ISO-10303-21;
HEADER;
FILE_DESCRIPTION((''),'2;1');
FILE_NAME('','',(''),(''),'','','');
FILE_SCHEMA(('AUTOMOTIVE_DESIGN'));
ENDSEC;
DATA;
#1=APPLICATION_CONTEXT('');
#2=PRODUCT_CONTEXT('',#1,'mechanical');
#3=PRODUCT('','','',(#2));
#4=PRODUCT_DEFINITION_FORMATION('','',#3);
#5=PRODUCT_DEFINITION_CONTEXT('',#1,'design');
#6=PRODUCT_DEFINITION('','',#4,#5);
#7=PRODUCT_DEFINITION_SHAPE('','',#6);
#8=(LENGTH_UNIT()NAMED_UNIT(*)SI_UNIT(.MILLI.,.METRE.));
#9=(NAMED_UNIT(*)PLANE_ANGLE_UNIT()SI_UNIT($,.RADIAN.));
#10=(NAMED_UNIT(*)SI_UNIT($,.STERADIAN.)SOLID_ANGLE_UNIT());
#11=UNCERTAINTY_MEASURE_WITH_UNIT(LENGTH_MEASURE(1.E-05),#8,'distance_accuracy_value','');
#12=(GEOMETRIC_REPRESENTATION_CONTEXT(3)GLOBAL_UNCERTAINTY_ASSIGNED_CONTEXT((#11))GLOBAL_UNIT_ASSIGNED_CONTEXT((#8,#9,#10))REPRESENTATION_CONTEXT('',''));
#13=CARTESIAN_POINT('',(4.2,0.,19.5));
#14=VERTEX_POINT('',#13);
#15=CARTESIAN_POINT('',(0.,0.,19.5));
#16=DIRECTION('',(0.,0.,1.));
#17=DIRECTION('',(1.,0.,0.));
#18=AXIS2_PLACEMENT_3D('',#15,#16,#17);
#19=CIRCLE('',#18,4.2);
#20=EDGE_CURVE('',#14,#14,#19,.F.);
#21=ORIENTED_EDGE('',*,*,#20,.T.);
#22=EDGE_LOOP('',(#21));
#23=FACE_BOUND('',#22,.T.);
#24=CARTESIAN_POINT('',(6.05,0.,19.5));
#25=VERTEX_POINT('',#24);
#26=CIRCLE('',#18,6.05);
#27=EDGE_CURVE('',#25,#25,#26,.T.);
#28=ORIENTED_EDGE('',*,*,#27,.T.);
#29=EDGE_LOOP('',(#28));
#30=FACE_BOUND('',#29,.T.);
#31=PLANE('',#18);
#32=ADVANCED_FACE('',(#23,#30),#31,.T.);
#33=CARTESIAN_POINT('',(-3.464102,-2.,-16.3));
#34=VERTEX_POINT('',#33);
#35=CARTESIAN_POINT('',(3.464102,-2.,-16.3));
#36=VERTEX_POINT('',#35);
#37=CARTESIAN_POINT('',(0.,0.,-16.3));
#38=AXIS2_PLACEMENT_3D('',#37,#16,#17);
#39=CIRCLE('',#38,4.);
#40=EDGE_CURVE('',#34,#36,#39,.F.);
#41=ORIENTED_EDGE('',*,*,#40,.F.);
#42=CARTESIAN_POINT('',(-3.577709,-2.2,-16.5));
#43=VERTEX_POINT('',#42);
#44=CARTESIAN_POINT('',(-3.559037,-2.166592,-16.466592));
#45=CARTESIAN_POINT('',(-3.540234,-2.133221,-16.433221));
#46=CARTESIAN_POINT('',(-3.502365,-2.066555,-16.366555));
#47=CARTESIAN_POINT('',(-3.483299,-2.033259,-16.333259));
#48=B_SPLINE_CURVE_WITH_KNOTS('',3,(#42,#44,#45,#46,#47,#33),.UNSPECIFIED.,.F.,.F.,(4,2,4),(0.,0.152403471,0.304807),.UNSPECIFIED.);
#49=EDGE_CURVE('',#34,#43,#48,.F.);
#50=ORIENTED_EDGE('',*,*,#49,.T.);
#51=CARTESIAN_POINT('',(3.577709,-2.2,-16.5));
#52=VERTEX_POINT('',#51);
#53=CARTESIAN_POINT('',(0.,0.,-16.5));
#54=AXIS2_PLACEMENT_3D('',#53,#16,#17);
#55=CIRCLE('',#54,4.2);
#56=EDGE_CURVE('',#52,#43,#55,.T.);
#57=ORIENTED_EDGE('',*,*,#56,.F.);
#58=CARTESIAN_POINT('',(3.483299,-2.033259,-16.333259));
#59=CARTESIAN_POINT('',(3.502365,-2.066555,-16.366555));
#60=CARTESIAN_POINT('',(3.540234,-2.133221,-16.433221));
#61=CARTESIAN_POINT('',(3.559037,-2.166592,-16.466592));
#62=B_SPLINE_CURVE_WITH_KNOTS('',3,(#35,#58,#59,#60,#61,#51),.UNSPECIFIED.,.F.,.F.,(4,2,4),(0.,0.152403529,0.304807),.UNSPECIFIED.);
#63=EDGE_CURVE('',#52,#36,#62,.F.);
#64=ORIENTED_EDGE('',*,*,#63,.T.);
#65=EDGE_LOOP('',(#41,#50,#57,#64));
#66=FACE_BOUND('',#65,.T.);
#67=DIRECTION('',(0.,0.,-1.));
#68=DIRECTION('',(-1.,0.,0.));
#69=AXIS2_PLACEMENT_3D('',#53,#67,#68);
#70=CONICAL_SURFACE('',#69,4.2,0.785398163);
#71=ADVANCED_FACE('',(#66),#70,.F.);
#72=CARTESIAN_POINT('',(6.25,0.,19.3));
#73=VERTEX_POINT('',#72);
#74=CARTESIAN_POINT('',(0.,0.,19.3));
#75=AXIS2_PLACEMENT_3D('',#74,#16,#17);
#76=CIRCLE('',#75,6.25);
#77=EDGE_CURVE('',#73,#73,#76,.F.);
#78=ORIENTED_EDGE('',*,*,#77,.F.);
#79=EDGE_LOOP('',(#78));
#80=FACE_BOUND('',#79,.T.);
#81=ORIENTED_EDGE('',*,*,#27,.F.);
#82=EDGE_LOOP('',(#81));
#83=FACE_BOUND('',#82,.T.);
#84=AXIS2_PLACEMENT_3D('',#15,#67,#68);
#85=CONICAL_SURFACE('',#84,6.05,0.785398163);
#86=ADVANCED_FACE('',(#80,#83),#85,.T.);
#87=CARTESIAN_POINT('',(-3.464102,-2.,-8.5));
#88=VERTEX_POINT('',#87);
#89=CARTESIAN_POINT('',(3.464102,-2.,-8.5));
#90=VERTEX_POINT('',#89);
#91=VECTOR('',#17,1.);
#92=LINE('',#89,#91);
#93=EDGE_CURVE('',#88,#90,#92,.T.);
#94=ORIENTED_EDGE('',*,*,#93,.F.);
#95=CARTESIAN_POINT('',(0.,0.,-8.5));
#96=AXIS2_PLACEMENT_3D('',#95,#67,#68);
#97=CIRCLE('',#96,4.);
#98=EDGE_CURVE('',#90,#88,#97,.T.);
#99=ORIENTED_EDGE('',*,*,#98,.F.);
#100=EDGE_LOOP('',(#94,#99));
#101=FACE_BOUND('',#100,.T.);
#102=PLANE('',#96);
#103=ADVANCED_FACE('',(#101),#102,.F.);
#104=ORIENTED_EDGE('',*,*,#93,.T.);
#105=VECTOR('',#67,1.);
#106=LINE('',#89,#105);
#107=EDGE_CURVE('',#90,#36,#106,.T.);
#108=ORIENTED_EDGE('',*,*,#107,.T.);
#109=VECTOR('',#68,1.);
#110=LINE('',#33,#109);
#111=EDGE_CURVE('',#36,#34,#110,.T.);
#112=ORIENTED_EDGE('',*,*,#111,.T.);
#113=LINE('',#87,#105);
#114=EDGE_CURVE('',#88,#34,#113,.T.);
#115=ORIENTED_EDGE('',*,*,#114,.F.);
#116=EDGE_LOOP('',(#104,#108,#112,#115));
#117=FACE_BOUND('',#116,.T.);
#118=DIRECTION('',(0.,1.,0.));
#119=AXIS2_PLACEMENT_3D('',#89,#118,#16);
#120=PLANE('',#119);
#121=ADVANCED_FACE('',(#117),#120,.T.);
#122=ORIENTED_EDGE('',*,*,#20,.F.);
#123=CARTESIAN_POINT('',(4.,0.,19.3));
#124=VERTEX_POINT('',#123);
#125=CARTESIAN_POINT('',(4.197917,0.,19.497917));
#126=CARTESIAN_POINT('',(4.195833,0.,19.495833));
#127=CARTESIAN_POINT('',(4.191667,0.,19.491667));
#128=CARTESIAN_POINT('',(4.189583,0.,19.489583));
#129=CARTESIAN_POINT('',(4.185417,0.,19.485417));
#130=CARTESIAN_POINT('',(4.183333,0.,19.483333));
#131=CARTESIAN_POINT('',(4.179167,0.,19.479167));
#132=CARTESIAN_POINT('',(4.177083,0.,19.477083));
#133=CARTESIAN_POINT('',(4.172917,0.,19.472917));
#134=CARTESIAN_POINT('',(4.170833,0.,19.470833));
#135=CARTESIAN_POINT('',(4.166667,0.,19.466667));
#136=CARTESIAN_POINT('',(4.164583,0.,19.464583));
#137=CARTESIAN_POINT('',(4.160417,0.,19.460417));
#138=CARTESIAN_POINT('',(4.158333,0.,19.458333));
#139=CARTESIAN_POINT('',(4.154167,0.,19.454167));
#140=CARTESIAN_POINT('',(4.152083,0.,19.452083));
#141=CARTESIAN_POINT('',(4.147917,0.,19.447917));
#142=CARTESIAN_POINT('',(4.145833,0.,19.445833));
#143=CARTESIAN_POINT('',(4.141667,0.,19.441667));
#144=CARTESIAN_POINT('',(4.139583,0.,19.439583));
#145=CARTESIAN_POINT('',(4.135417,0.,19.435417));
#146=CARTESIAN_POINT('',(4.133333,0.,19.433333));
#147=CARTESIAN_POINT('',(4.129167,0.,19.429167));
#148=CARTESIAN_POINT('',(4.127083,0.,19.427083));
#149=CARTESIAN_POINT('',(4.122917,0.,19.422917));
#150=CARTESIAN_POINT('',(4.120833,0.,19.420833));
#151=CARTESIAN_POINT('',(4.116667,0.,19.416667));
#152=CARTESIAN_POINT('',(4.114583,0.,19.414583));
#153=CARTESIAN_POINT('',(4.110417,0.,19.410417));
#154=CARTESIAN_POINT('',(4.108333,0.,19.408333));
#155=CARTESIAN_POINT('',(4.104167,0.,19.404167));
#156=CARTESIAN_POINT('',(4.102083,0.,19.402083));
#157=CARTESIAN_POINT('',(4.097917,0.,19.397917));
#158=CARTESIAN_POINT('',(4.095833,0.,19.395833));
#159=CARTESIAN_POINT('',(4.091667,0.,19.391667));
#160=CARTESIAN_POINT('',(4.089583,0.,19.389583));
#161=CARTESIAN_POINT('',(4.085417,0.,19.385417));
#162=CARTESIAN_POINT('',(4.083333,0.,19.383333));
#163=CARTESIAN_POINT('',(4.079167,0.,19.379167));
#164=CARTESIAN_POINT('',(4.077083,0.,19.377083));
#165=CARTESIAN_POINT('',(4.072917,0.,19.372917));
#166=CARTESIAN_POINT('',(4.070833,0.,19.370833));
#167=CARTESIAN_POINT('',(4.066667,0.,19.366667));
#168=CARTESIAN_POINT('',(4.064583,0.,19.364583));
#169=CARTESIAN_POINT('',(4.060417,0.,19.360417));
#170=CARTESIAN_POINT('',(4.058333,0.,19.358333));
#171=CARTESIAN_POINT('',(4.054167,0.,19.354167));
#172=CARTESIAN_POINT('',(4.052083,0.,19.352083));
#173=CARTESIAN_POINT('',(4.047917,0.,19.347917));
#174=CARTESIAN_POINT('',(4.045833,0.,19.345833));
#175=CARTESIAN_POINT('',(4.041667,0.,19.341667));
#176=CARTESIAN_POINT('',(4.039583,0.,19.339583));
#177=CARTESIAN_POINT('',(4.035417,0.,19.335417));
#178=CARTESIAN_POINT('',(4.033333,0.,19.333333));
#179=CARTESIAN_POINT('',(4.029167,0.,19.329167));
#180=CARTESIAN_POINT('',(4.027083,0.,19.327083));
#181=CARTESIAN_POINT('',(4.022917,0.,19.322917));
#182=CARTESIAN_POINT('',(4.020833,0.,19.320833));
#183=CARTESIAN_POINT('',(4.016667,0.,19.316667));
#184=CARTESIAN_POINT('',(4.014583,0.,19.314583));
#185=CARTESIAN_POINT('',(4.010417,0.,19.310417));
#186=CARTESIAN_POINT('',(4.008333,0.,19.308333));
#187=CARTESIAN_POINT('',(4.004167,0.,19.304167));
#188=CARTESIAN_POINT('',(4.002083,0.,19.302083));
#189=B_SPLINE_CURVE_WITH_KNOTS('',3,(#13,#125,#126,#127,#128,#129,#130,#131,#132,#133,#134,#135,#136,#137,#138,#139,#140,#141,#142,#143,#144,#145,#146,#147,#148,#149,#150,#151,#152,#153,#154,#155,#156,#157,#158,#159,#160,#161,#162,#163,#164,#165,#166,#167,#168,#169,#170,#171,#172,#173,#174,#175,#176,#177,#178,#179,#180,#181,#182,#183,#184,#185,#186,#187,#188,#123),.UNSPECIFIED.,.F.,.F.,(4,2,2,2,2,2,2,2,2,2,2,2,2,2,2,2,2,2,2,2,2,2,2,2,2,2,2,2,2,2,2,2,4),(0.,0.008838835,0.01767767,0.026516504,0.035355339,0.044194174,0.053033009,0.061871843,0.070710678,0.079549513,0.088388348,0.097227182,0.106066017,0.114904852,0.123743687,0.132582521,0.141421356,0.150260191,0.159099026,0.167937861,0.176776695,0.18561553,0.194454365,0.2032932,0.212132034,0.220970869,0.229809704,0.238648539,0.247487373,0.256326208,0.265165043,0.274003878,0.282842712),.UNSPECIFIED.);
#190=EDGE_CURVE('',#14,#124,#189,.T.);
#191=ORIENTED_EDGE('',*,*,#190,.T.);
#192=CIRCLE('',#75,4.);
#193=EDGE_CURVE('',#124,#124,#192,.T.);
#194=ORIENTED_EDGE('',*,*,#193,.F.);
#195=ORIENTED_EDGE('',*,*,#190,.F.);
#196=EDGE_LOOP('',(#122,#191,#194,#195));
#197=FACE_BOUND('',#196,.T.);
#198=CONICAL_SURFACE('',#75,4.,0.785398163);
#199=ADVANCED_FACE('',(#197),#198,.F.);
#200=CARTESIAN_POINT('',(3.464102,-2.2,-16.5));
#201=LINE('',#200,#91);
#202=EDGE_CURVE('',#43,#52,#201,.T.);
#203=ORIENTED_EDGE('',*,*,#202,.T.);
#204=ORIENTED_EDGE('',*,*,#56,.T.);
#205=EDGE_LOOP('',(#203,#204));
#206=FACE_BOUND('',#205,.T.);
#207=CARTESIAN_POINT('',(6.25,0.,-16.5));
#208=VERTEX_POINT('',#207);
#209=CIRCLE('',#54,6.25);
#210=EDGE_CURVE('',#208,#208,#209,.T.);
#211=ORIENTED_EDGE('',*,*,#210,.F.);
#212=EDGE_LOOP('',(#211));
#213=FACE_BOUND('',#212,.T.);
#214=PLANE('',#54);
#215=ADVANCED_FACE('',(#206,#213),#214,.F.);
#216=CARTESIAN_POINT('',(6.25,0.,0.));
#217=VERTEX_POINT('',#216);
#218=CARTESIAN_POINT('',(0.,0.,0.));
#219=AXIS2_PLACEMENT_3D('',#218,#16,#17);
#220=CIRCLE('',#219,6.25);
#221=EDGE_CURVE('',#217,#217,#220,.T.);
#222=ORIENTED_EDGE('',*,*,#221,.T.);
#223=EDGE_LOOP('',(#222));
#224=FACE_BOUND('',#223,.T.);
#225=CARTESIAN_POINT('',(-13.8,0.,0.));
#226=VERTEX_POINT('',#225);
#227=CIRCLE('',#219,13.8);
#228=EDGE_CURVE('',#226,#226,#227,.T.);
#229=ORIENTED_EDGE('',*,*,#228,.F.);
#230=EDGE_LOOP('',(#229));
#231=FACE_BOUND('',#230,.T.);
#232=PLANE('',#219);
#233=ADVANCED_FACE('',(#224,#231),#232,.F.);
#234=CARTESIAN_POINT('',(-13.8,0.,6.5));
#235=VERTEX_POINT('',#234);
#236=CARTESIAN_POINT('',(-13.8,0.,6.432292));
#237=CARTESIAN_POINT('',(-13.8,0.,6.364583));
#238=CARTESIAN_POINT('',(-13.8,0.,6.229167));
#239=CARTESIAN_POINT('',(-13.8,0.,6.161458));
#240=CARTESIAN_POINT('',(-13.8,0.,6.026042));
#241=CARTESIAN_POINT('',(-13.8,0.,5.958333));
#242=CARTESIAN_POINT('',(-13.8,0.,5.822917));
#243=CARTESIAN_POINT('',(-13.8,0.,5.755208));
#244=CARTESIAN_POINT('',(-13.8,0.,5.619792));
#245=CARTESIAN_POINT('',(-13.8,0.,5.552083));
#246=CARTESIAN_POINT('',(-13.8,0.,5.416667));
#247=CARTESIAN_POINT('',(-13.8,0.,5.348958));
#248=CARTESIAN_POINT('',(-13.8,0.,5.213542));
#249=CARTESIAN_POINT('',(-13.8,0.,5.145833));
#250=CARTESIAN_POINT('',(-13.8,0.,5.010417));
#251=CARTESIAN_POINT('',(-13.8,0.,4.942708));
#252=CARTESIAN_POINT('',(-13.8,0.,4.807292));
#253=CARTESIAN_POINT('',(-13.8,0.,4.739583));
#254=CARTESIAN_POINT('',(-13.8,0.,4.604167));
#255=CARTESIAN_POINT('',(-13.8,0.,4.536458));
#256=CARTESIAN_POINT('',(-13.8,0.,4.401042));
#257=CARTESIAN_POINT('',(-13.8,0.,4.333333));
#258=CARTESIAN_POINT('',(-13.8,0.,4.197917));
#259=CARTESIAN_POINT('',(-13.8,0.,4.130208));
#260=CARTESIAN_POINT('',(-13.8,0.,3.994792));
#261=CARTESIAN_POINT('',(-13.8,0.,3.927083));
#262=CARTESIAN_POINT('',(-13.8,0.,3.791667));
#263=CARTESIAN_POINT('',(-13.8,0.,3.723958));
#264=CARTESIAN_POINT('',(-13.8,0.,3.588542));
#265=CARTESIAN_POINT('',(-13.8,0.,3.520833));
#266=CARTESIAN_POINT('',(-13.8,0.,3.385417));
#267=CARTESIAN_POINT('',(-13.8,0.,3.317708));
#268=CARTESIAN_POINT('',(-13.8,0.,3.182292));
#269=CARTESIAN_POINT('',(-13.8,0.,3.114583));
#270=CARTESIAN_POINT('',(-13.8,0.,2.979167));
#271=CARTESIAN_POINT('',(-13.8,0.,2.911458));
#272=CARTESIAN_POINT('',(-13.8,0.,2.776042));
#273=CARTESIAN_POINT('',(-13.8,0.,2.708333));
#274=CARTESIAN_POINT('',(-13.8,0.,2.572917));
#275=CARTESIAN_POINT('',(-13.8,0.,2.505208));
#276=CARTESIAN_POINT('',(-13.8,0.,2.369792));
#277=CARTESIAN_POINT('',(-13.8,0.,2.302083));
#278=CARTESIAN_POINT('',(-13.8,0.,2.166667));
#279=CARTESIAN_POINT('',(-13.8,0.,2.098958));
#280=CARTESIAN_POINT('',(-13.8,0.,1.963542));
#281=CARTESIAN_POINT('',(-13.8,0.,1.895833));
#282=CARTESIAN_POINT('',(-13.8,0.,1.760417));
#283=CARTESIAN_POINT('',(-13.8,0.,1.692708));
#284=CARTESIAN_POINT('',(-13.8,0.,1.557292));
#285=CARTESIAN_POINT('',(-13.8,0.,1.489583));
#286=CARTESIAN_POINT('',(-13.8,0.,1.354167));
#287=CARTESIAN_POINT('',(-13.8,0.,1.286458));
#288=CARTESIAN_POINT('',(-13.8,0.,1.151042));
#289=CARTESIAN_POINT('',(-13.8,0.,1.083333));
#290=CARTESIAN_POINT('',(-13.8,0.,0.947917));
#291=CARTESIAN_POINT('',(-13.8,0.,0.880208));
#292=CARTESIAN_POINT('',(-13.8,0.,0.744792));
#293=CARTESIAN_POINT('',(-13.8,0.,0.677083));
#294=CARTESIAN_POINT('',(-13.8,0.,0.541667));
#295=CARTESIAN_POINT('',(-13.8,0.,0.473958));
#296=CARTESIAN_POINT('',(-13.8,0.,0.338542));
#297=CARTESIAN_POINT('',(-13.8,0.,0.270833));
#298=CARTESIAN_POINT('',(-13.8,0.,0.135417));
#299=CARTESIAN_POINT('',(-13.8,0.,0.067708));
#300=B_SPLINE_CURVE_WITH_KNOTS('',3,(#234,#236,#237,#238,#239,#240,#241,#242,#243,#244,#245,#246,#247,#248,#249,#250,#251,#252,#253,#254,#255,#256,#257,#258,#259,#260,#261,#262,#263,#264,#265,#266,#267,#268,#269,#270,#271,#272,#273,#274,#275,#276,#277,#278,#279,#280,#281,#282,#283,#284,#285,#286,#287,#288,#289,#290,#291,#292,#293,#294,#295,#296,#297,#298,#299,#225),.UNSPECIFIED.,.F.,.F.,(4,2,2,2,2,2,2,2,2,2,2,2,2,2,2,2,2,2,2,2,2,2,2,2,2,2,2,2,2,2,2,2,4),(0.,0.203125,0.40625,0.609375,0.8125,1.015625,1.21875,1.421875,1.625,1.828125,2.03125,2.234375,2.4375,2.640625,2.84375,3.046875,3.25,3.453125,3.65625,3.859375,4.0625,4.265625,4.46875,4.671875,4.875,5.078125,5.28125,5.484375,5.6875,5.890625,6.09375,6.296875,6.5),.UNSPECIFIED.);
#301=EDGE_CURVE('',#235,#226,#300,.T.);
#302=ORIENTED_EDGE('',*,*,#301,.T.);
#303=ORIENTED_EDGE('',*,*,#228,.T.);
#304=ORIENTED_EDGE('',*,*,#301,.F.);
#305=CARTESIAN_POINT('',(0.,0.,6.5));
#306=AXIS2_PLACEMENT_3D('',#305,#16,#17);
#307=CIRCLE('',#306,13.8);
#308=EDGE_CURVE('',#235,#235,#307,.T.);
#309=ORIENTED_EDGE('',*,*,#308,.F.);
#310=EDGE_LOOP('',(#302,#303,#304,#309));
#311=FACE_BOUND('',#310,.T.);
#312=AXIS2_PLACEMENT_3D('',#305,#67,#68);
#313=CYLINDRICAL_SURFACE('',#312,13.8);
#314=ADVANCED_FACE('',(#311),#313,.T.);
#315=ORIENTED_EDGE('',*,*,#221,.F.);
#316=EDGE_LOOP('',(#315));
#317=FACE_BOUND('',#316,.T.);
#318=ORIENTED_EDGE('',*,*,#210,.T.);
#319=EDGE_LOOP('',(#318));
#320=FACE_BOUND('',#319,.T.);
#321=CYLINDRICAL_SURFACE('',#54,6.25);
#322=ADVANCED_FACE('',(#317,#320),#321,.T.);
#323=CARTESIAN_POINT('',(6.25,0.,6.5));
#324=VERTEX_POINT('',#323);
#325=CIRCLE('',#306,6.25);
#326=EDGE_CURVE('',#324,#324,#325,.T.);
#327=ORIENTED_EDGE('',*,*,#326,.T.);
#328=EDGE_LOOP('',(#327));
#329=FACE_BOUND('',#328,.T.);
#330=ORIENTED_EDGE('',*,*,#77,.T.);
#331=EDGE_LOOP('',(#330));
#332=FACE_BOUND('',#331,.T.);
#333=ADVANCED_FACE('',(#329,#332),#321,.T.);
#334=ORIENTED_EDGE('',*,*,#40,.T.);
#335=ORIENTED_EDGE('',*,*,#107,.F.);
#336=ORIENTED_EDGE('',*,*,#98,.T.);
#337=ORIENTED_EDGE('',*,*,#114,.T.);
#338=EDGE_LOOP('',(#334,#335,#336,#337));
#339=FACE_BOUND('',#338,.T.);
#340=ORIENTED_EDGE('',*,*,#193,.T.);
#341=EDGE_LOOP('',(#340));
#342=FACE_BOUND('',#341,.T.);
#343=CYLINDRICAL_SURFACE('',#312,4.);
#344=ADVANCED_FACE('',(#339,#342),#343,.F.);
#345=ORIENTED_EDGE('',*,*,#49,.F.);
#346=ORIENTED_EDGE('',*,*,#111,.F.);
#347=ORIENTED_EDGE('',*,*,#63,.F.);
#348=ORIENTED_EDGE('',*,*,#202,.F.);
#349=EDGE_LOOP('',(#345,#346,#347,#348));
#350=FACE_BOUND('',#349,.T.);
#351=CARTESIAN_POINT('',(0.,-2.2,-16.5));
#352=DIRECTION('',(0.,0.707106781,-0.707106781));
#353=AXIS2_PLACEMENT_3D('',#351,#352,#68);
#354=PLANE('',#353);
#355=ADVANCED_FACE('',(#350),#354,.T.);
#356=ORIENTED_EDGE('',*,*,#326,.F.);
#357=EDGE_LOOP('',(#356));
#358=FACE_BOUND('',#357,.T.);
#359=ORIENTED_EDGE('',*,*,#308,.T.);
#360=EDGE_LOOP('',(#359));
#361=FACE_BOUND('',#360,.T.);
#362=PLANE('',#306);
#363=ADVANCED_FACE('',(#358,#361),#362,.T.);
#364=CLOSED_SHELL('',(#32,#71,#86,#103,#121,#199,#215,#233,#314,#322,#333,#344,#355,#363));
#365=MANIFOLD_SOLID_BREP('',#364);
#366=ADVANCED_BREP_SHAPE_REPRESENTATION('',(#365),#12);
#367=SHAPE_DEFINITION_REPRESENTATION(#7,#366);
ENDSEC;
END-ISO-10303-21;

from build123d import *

# Parameters (mm, degrees)
SKETCH_1_R           = 13.8
SKETCH_1_R_2         = 4
EXTRUDE_1_DEPTH      = 6.5
EXTRUDE_2_DEPTH      = 13
EXTRUDE_2_DEPTH_BACK = 23
SKETCH_2_R           = 6.25
SKETCH_2_R_2         = 4
EXTRUDE_3_DEPTH      = 8
CHAMFER_1_SIZE       = 0.2


with BuildPart() as part:
    # Эскиз1 → Бобышка-Вытянуть1 (new body)
    with BuildSketch(Plane.XY):
        with Locations(Location((0, 0, 0), (0, 0, 180))):
            Circle(SKETCH_1_R)
        with Locations(Location((0, 0, 0), (0, 0, 180))):
            Circle(SKETCH_1_R_2, mode=Mode.SUBTRACT)
    extrude(amount=EXTRUDE_1_DEPTH)

    # Эскиз2 → Бобышка-Вытянуть2 (add, two sides: drawn at the far end of the back side and taken through both)
    with BuildSketch(Plane.XY.offset(6.5).offset(-EXTRUDE_2_DEPTH_BACK)):
        Circle(SKETCH_2_R)
        with Locations(Location((0, 0, 0), (0, 0, 180))):
            Circle(SKETCH_2_R_2, mode=Mode.SUBTRACT)
    extrude(amount=EXTRUDE_2_DEPTH + EXTRUDE_2_DEPTH_BACK)

    # Эскиз3 → Бобышка-Вытянуть3 (add)
    with BuildSketch(Plane(origin=(0, 0, -16.5), x_dir=(-1, 0, 0), z_dir=(0, 0, -1))):
        with BuildLine():
            Line((-3.464101615, -2), (3.464101615, -2))
            ThreePointArc((3.464101615, -2), (0, -4), (-3.464101615, -2))
        make_face()
    extrude(amount=-EXTRUDE_3_DEPTH)

    # Фаска1
    chamfer_1_edges = [part.edges().sort_by_distance(p)[0] for p in [
        (4, 0, 19.5),
        (-6.25, 0, 19.5),
        (1.03527618, 3.863703305, -16.5),
        (0, -2, -16.5),
    ]]
    chamfer(chamfer_1_edges, length=CHAMFER_1_SIZE)


solid = part.part
